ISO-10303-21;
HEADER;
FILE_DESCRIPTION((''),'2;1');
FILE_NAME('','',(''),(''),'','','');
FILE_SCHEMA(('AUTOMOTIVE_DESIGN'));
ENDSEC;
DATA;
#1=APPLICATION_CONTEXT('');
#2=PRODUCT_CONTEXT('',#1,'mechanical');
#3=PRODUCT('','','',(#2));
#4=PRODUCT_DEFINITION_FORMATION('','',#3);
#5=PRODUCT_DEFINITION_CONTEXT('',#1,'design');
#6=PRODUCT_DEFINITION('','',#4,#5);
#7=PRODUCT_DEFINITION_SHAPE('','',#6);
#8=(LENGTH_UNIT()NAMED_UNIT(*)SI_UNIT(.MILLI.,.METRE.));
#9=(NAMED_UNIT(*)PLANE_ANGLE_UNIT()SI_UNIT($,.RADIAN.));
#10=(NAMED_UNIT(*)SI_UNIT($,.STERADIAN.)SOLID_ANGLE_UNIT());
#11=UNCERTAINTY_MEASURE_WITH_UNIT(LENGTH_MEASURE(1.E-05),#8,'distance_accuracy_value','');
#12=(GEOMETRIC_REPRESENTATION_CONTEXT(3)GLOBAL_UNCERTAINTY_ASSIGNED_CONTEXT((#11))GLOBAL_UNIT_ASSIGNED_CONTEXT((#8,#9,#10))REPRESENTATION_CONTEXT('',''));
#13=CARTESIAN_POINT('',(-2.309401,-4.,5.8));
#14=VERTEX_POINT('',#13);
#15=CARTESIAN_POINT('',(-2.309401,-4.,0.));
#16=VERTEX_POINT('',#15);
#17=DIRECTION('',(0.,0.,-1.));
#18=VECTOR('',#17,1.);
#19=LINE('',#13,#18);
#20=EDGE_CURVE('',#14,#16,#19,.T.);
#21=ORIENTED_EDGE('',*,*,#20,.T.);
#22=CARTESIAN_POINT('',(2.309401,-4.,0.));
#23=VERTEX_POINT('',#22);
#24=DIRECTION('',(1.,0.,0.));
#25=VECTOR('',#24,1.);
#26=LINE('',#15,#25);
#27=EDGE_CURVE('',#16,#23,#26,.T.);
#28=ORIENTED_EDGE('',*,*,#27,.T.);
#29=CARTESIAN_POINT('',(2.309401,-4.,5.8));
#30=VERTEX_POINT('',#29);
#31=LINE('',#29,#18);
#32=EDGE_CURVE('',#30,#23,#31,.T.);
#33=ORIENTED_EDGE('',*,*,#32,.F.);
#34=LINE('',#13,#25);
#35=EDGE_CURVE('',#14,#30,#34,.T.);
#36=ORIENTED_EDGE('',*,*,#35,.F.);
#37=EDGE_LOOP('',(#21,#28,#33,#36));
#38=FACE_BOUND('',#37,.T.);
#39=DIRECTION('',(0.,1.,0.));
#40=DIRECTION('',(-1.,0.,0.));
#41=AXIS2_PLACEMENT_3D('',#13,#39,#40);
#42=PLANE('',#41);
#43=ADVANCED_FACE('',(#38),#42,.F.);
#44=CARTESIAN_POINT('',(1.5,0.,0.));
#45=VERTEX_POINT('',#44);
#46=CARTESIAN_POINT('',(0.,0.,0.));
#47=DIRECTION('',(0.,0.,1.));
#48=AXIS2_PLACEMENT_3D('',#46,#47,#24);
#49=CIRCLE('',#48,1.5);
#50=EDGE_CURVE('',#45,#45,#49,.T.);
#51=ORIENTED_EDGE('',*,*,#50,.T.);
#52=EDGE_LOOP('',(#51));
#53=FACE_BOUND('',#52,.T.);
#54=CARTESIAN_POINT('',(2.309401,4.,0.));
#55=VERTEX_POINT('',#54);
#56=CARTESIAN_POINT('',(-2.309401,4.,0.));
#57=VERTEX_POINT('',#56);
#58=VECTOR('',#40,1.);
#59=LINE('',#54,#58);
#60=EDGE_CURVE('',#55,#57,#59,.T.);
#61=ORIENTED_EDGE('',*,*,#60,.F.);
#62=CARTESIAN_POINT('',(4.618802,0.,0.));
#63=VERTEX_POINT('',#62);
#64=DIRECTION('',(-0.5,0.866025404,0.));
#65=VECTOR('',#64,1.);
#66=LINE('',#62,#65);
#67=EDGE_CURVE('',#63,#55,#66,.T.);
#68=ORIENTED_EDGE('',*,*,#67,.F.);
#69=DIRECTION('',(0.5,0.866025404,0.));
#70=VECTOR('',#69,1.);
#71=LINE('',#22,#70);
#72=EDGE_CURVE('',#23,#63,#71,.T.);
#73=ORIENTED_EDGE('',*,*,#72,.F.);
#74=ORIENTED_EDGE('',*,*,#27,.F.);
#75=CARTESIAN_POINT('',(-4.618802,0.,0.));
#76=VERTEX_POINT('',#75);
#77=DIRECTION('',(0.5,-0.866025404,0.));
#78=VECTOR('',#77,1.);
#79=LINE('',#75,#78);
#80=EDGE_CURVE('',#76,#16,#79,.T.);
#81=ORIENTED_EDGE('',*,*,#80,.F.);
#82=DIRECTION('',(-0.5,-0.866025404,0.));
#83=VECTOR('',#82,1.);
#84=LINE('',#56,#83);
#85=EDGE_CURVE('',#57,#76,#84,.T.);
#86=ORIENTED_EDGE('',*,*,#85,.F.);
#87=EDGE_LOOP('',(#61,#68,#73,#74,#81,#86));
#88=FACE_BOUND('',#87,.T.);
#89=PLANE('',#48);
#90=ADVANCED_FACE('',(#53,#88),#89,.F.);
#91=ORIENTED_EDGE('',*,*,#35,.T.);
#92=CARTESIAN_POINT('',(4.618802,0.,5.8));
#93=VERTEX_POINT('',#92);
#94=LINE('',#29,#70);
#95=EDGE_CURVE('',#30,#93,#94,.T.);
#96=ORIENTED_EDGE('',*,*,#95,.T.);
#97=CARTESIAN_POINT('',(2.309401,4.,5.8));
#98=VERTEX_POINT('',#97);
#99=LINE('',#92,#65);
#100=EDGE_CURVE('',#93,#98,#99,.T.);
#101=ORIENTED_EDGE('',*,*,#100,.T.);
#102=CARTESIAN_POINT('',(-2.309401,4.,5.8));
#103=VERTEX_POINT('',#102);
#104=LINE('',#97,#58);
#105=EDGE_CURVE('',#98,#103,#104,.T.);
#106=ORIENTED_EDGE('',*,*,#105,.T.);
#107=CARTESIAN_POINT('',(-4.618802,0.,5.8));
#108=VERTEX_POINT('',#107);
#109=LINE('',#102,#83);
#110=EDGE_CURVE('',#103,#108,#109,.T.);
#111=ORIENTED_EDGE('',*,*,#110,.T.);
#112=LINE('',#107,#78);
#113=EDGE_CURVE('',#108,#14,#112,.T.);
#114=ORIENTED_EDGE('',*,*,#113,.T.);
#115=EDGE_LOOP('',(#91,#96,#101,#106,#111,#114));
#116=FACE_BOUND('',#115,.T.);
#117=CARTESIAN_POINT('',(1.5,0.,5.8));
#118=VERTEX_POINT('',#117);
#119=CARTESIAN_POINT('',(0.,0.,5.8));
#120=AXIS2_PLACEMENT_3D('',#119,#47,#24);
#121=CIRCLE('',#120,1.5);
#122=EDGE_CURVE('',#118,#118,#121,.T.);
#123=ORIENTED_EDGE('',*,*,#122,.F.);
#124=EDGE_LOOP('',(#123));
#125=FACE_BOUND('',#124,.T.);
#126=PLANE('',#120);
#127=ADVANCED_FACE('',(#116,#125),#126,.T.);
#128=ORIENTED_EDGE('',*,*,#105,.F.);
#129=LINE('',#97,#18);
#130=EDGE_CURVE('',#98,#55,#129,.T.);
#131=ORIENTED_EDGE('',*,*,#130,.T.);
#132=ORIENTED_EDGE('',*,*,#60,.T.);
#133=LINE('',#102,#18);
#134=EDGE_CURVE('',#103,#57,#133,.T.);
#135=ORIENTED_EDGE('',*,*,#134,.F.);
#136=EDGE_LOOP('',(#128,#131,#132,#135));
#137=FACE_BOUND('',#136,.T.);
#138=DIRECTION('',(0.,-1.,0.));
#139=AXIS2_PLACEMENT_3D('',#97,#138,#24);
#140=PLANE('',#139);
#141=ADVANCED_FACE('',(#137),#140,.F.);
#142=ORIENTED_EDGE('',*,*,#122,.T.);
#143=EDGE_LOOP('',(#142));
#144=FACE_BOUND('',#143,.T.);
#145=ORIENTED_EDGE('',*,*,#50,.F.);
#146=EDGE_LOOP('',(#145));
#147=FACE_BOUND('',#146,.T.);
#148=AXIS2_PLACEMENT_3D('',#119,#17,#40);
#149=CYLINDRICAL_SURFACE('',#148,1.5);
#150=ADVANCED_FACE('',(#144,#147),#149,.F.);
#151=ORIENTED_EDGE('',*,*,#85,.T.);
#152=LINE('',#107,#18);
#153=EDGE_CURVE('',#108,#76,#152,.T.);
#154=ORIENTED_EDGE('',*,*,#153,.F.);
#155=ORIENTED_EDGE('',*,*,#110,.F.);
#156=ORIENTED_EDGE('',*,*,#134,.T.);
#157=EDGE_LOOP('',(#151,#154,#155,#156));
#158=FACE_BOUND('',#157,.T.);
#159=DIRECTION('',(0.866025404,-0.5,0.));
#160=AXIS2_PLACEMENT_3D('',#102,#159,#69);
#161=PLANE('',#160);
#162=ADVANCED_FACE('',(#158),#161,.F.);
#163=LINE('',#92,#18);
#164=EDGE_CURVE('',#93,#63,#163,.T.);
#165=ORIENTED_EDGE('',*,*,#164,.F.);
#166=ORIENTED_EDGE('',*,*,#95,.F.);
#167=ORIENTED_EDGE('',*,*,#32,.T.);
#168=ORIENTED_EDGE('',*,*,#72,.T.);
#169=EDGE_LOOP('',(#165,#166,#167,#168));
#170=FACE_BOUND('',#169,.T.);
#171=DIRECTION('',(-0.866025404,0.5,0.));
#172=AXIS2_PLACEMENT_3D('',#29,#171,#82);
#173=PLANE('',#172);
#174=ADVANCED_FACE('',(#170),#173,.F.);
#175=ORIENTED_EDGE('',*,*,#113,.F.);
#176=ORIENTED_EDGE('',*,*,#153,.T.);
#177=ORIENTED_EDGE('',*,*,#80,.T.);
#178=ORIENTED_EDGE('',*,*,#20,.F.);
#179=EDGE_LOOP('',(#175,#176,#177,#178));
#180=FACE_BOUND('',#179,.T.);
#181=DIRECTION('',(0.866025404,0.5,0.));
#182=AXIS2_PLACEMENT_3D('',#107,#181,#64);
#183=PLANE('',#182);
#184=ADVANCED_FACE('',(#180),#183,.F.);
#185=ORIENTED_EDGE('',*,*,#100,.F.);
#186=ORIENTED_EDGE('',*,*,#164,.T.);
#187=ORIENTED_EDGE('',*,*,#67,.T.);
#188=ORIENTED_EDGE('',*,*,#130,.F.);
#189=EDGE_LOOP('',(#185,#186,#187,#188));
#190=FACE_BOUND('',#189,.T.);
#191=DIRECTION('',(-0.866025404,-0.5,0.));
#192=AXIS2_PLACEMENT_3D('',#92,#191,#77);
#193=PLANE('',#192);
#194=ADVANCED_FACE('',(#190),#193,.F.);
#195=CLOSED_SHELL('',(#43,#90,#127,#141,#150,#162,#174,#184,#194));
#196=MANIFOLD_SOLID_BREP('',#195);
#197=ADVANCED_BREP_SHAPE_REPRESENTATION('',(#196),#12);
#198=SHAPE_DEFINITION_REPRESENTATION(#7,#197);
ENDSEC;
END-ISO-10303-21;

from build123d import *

# Parameters (mm, degrees)
SKETCH_1_R      = 1.5
EXTRUDE_1_DEPTH = 5.8


with BuildPart() as part:
    # 草图1 → 凸台-拉伸1 (new body)
    with BuildSketch(Plane.XY):
        Polygon((2.309401077, -4), (4.618802154, 0), (2.309401077, 4), (-2.309401077, 4), (-4.618802154, 0), (-2.309401077, -4), align=None)
        Circle(SKETCH_1_R, mode=Mode.SUBTRACT)
    extrude(amount=EXTRUDE_1_DEPTH)


solid = part.part
